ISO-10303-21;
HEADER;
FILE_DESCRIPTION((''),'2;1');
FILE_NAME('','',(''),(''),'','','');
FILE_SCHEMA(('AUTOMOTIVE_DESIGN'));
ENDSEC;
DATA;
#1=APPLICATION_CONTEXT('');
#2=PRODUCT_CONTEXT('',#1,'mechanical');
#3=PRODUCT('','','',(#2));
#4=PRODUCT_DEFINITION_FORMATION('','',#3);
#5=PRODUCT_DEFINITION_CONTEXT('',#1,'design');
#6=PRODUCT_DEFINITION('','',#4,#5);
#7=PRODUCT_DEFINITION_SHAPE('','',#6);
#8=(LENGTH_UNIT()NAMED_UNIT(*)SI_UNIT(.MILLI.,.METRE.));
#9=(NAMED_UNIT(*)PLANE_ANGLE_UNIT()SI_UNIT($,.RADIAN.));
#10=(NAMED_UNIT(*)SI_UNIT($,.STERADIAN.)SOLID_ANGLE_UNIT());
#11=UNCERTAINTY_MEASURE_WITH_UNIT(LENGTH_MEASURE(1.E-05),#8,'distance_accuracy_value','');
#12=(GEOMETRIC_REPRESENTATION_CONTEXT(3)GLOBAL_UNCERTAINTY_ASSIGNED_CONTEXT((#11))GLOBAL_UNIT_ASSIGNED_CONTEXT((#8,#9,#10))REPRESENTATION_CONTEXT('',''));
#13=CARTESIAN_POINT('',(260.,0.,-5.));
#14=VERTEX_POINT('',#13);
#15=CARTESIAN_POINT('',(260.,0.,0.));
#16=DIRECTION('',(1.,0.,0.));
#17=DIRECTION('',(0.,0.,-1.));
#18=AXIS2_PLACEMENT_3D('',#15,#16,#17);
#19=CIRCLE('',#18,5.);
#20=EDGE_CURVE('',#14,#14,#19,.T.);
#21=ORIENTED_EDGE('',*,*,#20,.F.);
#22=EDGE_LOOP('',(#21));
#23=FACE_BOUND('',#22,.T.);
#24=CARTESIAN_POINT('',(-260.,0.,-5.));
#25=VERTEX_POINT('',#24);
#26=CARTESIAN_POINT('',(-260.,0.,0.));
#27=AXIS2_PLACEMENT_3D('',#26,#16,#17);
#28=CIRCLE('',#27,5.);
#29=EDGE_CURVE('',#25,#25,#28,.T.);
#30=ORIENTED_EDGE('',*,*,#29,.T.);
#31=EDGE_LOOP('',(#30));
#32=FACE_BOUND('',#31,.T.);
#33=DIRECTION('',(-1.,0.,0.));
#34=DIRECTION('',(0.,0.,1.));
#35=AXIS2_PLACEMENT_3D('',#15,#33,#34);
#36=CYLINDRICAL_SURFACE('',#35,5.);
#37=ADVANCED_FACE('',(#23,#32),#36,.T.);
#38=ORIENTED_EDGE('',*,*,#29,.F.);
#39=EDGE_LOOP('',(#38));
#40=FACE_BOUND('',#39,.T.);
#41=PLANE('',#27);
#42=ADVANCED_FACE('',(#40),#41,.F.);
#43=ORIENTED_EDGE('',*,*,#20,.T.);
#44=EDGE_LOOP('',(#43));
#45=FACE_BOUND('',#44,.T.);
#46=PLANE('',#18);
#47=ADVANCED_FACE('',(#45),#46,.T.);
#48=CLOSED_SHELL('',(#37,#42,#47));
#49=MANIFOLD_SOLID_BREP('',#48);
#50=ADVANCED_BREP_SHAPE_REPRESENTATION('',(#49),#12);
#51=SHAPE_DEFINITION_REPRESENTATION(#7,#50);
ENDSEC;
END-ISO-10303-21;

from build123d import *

# Parameters (mm, degrees)
SKETCH1_R           = 5
BOSS_EXTRUDE1_DEPTH = 260


with BuildPart() as part:
    # Sketch1 → Boss-Extrude1 (new body, symmetric)
    with BuildSketch(Plane(origin=(0, 0, 0), x_dir=(0, 0, -1), z_dir=(1, 0, 0))):
        Circle(SKETCH1_R)
    extrude(amount=BOSS_EXTRUDE1_DEPTH, both=True)


solid = part.part
